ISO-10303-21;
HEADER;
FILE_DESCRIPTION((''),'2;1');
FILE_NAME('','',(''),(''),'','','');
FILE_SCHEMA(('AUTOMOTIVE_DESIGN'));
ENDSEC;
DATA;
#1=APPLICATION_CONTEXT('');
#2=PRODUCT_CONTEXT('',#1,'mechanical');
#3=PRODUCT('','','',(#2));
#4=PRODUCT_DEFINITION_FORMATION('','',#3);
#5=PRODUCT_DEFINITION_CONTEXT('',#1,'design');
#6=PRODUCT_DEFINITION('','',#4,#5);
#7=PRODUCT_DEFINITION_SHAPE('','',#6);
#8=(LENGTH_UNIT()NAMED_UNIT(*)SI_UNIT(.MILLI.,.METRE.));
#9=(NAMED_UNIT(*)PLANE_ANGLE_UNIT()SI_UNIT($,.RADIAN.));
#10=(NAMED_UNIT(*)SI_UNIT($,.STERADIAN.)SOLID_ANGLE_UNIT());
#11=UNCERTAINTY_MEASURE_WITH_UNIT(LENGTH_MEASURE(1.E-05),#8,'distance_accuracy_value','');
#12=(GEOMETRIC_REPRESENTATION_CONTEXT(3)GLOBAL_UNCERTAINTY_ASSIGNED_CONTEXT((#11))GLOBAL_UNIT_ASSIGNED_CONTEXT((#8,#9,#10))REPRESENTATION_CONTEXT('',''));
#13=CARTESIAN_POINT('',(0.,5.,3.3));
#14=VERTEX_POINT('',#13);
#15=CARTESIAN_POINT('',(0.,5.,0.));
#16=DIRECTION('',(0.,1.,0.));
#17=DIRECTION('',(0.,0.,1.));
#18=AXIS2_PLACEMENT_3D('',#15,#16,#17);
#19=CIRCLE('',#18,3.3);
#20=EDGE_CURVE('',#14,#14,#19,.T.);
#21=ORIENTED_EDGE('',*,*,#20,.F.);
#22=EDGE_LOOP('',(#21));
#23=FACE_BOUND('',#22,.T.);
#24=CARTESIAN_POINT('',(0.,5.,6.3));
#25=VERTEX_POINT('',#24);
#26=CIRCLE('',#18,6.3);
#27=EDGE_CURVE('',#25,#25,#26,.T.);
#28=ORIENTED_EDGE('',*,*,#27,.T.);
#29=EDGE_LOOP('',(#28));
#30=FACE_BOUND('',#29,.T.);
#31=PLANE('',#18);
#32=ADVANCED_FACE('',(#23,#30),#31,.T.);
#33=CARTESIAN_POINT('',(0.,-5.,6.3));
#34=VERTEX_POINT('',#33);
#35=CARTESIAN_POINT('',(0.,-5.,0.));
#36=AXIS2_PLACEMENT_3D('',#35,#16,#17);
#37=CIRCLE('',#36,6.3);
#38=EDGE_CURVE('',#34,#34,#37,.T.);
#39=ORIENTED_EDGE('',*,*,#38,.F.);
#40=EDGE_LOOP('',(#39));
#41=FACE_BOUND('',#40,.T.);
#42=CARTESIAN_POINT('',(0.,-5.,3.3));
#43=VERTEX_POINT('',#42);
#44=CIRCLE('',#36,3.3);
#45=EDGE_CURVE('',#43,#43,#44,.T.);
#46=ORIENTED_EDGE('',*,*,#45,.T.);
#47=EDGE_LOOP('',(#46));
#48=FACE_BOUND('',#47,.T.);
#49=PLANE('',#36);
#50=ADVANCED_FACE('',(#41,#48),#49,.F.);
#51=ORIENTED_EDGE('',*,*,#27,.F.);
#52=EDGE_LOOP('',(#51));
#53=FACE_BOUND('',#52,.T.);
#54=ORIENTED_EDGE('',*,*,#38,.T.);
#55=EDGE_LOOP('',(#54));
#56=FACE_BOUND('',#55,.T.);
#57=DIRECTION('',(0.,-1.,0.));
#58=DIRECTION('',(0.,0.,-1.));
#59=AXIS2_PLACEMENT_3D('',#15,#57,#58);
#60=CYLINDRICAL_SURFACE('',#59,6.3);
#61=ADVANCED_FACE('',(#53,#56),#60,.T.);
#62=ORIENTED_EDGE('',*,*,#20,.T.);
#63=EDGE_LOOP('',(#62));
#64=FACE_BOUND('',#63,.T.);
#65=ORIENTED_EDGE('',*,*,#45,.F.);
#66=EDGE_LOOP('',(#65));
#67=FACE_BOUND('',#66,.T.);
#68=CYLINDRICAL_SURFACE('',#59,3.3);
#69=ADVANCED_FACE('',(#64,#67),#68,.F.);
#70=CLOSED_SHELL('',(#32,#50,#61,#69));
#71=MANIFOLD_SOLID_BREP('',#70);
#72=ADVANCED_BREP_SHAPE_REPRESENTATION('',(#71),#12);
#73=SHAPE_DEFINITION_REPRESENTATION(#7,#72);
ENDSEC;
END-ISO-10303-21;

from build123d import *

# Parameters (mm, degrees)
CROQUIS1_R              = 6.3
CROQUIS1_R_2            = 3.3
SALIENTE_EXTRUIR1_DEPTH = 5


with BuildPart() as part:
    # Croquis1 → Saliente-Extruir1 (new, symmetric)
    with BuildSketch(Plane(origin=(0, 0, 0), x_dir=(1, 0, 0), z_dir=(0, 1, 0))):
        with Locations(Location((0, 0, 0), (0, 0, 270))):
            Circle(CROQUIS1_R)
        with Locations(Location((0, 0, 0), (0, 0, 270))):
            Circle(CROQUIS1_R_2, mode=Mode.SUBTRACT)
    extrude(amount=SALIENTE_EXTRUIR1_DEPTH, both=True)


solid = part.part
